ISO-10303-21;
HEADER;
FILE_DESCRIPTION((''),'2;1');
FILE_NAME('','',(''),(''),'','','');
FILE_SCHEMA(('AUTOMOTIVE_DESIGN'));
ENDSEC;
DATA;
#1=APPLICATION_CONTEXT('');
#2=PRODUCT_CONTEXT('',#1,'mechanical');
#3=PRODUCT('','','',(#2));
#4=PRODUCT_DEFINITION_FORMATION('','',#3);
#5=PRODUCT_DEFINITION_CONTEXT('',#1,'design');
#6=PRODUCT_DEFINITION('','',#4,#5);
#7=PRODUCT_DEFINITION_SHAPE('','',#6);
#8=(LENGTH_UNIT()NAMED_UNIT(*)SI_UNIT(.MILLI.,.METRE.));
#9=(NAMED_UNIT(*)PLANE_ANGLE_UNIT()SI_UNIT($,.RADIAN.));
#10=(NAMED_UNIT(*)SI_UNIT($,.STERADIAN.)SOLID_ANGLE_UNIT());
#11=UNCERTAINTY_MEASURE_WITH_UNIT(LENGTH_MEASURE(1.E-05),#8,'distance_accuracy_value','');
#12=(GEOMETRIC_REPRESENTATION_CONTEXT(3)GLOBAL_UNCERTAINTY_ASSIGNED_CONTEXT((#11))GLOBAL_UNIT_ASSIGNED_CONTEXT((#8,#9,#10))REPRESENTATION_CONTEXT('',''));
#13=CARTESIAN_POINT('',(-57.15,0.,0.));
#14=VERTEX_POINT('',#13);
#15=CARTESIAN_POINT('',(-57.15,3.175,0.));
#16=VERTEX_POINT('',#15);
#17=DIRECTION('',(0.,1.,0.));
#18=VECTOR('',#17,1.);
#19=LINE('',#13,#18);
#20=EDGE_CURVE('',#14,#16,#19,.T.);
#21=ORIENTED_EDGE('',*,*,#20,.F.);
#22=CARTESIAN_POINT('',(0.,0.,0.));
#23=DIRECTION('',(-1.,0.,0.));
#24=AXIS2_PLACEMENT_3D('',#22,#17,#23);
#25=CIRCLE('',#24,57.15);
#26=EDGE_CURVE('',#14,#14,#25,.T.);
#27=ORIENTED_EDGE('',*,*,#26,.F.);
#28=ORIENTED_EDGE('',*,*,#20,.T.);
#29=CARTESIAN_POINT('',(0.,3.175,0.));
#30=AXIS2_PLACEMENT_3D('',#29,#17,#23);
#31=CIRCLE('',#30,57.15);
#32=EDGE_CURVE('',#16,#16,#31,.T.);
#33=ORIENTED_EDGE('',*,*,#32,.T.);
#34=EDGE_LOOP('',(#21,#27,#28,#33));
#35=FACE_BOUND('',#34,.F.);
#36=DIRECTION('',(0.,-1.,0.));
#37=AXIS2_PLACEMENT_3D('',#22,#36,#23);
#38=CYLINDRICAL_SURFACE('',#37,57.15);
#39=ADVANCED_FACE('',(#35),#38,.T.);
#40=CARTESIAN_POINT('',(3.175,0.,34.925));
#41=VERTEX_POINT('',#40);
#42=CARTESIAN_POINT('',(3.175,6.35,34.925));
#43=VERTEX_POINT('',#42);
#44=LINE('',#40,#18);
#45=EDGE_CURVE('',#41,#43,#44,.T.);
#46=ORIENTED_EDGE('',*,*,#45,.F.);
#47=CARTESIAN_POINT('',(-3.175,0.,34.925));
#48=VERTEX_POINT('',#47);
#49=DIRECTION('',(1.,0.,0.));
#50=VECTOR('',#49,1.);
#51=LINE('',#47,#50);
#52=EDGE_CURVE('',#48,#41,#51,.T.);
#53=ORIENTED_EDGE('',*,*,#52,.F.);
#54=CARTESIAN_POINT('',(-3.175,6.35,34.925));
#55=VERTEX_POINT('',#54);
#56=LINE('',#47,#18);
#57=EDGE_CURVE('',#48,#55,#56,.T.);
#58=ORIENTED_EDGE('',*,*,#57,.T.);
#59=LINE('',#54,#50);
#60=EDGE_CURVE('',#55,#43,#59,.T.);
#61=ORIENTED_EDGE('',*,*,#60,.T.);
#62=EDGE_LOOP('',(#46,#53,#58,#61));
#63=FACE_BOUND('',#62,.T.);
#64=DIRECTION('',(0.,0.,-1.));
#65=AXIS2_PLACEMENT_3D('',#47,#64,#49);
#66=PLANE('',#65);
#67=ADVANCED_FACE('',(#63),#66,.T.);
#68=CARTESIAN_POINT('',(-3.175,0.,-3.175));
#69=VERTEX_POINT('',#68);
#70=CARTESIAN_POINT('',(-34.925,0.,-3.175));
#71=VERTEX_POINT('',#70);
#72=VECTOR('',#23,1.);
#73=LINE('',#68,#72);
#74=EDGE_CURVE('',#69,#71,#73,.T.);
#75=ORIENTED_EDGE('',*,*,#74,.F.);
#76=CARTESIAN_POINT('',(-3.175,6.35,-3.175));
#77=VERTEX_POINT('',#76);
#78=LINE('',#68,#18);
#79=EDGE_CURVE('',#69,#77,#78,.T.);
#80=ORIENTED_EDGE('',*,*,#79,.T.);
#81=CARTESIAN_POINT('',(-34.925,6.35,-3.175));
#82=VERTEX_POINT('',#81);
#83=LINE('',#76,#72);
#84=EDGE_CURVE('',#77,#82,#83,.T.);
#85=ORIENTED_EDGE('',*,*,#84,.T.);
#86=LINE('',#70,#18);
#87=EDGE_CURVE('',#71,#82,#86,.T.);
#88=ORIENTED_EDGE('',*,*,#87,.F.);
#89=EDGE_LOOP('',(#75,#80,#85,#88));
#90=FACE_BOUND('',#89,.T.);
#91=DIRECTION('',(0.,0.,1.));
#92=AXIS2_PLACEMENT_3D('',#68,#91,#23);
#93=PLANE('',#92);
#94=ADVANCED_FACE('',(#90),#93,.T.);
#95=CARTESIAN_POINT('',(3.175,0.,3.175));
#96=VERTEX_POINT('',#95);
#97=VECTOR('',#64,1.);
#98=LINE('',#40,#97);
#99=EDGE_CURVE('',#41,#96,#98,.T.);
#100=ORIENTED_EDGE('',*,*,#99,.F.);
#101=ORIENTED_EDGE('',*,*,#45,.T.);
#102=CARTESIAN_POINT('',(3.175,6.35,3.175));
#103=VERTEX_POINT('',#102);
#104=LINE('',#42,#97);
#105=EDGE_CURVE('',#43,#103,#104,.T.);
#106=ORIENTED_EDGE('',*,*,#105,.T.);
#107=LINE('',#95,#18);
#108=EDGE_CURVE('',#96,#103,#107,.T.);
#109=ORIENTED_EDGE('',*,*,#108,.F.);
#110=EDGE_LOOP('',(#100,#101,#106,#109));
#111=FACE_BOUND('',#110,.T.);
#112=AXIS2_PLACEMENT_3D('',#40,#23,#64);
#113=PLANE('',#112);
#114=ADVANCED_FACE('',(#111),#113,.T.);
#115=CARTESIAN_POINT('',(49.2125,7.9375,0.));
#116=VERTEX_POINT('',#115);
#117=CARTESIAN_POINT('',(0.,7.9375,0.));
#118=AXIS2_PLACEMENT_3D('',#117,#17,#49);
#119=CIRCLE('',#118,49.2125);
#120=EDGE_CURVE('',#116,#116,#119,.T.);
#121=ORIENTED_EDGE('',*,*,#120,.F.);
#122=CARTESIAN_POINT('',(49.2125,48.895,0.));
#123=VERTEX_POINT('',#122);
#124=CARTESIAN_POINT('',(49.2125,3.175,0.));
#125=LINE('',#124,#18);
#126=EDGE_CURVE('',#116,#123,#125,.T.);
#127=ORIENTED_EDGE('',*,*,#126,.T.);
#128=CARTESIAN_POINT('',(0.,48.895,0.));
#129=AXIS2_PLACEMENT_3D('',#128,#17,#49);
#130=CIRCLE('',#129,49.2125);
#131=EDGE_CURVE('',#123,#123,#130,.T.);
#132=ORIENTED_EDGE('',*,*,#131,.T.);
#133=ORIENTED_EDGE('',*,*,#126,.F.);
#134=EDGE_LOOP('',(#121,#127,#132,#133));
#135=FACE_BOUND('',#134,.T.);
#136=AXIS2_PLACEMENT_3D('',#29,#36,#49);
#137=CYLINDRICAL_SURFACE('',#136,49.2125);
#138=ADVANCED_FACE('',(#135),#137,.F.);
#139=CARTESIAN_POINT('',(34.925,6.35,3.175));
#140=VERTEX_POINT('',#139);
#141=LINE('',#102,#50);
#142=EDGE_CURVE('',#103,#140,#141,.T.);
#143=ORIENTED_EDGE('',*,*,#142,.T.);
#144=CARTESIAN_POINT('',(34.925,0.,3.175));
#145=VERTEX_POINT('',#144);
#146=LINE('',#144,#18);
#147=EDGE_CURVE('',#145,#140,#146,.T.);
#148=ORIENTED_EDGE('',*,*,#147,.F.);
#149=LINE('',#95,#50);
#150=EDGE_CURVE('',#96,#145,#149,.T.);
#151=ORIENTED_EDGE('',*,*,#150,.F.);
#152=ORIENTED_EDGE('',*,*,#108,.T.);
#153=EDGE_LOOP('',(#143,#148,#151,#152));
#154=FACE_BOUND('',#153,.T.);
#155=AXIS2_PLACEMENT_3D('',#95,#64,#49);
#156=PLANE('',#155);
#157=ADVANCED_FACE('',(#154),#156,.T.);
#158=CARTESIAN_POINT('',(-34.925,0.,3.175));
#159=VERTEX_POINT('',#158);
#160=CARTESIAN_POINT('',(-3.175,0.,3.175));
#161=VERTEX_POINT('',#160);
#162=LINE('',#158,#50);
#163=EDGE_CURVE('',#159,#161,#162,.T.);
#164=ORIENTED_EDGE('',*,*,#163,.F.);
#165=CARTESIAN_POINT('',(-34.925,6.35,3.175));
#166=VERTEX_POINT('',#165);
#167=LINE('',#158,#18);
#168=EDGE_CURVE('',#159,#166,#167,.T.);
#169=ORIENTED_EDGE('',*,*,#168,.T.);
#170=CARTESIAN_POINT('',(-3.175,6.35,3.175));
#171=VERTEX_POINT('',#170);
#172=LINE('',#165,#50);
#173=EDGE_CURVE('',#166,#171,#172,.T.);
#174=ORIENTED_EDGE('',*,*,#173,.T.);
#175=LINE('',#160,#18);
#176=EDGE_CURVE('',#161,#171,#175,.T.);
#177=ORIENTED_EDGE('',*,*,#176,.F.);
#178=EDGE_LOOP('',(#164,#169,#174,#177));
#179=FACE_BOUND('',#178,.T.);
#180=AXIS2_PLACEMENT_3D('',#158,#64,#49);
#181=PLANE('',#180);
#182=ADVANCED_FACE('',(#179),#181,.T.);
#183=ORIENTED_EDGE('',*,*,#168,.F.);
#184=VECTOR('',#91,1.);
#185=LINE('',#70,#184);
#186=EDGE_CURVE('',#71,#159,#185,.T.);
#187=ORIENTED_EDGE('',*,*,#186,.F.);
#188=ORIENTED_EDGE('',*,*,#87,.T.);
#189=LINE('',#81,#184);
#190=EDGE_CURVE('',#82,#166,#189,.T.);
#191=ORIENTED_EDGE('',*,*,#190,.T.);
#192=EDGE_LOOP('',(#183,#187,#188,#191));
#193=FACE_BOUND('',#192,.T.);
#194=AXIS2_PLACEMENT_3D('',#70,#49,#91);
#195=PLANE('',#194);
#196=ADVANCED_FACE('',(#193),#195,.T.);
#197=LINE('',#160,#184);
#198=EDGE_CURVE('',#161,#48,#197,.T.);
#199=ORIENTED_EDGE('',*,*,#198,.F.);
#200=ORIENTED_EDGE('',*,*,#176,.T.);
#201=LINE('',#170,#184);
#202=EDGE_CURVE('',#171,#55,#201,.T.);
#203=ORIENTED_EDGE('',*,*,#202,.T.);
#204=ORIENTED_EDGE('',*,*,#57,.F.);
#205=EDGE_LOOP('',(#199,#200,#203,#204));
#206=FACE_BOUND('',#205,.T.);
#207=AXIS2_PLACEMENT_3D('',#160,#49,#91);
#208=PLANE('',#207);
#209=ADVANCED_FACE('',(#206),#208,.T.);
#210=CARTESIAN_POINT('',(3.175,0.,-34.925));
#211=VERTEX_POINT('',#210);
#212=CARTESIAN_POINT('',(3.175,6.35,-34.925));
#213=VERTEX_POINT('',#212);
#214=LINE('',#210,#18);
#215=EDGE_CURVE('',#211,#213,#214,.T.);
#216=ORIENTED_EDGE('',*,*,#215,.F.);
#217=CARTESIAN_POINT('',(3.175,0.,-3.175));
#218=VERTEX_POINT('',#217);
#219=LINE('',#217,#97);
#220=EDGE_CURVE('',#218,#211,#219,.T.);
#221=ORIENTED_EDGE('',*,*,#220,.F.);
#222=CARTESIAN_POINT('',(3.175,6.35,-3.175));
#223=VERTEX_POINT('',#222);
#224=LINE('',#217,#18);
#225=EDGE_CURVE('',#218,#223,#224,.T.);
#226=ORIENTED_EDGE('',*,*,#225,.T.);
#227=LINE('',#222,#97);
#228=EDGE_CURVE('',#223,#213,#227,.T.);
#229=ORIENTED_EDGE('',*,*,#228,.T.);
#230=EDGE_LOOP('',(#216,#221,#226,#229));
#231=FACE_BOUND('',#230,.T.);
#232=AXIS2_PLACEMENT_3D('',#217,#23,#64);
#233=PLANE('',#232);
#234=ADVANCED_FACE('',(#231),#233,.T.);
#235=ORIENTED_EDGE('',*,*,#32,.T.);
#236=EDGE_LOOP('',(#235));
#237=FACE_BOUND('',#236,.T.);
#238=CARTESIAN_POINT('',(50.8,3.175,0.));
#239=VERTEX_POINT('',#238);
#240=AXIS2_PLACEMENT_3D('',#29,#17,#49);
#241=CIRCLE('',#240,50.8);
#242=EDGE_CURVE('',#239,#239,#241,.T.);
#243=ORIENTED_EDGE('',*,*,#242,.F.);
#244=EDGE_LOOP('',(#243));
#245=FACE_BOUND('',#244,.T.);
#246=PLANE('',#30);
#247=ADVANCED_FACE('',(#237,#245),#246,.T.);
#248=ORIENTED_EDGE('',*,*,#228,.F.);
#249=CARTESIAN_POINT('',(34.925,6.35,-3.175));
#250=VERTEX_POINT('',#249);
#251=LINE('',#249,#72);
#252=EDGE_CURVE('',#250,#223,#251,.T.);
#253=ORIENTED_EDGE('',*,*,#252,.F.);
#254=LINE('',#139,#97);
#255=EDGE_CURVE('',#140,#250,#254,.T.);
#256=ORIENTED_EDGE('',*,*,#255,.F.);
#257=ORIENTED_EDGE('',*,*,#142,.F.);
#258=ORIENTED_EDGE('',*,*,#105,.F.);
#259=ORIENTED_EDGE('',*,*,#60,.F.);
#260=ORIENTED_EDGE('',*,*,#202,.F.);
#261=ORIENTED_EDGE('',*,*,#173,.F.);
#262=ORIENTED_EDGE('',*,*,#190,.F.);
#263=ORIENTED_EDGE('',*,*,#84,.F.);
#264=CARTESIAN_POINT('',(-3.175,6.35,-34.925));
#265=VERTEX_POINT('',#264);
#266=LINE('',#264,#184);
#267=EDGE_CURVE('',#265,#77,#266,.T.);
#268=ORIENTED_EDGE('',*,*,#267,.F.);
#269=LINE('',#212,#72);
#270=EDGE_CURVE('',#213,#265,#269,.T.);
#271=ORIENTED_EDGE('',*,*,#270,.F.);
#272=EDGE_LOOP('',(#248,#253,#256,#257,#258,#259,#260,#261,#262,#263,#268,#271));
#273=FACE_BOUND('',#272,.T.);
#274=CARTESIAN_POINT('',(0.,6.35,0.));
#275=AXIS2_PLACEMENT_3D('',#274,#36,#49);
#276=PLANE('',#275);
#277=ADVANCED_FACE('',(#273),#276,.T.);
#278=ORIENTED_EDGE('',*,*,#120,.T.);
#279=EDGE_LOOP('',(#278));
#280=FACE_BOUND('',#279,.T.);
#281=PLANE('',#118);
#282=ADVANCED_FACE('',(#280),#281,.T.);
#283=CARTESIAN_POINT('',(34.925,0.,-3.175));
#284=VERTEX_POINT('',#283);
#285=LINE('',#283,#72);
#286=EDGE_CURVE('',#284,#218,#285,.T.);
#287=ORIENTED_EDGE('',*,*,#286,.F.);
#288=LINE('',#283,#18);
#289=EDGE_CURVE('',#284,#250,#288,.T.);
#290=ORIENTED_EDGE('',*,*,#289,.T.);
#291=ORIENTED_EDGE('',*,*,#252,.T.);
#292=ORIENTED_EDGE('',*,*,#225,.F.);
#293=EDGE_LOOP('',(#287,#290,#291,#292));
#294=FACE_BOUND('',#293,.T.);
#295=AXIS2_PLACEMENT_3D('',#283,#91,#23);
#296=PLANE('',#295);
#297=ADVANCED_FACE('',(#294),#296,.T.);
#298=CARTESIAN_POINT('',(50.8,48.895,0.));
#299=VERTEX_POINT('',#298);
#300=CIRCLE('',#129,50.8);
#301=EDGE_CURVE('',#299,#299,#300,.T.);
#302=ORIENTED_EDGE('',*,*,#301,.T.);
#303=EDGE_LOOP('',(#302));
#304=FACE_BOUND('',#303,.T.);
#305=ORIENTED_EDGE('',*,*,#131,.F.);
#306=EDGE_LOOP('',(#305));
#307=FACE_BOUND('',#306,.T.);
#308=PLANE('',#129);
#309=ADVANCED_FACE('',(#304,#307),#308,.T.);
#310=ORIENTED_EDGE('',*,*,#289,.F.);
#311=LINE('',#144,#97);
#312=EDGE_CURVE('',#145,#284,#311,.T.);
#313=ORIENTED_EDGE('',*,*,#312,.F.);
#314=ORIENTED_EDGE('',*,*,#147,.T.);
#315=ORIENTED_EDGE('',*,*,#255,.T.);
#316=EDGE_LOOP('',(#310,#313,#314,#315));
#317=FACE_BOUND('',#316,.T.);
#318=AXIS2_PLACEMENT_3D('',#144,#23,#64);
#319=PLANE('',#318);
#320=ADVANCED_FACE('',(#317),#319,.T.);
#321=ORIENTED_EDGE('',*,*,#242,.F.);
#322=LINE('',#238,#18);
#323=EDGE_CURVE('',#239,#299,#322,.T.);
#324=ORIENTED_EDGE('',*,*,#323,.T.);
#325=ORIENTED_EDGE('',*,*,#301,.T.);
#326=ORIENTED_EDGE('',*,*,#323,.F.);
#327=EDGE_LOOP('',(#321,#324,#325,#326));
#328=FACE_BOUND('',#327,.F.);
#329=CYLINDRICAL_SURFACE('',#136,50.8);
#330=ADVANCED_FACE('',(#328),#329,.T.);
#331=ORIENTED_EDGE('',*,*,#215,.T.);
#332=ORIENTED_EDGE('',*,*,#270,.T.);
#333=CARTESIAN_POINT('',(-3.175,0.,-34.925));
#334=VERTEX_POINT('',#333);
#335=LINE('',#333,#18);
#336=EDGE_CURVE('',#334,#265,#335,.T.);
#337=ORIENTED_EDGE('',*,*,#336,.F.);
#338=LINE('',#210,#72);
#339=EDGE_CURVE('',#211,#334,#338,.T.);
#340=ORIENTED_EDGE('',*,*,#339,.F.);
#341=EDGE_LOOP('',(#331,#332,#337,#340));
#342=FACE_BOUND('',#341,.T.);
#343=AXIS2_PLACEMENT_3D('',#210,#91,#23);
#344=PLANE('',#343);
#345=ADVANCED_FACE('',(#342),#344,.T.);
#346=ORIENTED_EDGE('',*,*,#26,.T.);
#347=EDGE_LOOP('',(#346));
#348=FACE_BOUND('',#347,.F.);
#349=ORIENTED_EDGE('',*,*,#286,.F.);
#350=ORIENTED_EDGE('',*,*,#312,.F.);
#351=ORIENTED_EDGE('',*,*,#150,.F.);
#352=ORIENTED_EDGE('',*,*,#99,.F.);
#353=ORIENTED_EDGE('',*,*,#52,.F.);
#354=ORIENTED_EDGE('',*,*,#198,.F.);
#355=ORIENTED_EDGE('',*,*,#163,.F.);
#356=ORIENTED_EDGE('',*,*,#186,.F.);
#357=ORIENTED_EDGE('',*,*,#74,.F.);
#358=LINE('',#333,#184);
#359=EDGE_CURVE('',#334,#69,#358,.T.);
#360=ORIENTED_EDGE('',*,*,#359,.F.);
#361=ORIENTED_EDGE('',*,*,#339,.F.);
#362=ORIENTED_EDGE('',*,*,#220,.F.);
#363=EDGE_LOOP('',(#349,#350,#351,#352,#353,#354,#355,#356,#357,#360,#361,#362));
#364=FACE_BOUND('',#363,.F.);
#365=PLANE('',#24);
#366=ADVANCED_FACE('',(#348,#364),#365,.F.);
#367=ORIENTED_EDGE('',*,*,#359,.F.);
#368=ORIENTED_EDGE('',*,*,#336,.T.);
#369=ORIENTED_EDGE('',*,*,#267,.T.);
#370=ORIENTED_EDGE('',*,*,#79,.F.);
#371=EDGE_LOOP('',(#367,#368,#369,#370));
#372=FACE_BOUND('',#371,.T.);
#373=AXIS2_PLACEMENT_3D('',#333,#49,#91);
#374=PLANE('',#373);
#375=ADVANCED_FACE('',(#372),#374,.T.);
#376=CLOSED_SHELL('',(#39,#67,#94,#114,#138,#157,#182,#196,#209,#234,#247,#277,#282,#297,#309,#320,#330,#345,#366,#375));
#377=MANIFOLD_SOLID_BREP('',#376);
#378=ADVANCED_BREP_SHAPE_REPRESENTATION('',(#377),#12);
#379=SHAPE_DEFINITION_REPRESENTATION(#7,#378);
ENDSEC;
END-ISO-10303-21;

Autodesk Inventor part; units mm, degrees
ref_plane "YZ Plane" through (0, 0, 0) normal (1, 0, 0) x (0, 1, 0)
ref_plane "XZ Plane" through (0, 0, 0) normal (0, 1, 0) x (-1, 0, 0)
ref_plane "XY Plane" through (0, 0, 0) normal (0, 0, 1) x (1, 0, 0)
sketch "Sketch1" plane through (0, 0, 0) normal (0, 1, 0) x (-1, 0, 0)
  circle A0 centre (0, 0) radius 57.15
  dimension "d0" = 114.3
extrude "Extrusion1" add sketch "Sketch1" along normal blind 3.175
sketch "Sketch2" plane through (0, 3.175, 0) normal (0, 1, 0) x (1, 0, 0)
  circle A0 centre (0, 0) radius 50.8
  circle A1 centre (0, 0) radius 49.2125
  dimension "d3" = 101.6
  dimension "d4" = 98.425
extrude "Extrusion2" add sketch "Sketch2" along normal blind 45.72
sketch "Sketch3" plane through (0, 3.175, 0) normal (0, 1, 0) x (1, 0, 0)
  circle A0 centre (0, 0) radius 49.2125
extrude "Extrusion3" add sketch "Sketch3" along normal blind 4.7625
sketch "Sketch4" plane through (0, 0, 0) normal (0, -1, 0) x (1, 0, 0)
  line L0 (3.175, 3.175) -> (34.925, 3.175)
  line L1 (34.925, 3.175) -> (34.925, -3.175)
  line L2 (34.925, -3.175) -> (3.175, -3.175)
  line L3 (3.175, -3.175) -> (3.175, -34.925)
  line L4 (3.175, -34.925) -> (-3.175, -34.925)
  line L5 (-3.175, -34.925) -> (-3.175, -3.175)
  line L6 (-3.175, -3.175) -> (-34.925, -3.175)
  line L7 (-34.925, -3.175) -> (-34.925, 3.175)
  line L8 (-34.925, 3.175) -> (-3.175, 3.175)
  line L9 (-3.175, 3.175) -> (-3.175, 34.925)
  line L10 (-3.175, 34.925) -> (3.175, 34.925)
  line L11 (3.175, 34.925) -> (3.175, 3.175)
  point P0 (0, 0)
  dimension "d9" = 31.75
  dimension "d10" = 6.35
  dimension "d11" = 31.75
  dimension "d12" = 6.35
  dimension "d13" = 31.75
  dimension "d14" = 31.75
extrude "Extrusion4" cut sketch "Sketch4" against normal blind 6.35
properties part number "Base Plug"
